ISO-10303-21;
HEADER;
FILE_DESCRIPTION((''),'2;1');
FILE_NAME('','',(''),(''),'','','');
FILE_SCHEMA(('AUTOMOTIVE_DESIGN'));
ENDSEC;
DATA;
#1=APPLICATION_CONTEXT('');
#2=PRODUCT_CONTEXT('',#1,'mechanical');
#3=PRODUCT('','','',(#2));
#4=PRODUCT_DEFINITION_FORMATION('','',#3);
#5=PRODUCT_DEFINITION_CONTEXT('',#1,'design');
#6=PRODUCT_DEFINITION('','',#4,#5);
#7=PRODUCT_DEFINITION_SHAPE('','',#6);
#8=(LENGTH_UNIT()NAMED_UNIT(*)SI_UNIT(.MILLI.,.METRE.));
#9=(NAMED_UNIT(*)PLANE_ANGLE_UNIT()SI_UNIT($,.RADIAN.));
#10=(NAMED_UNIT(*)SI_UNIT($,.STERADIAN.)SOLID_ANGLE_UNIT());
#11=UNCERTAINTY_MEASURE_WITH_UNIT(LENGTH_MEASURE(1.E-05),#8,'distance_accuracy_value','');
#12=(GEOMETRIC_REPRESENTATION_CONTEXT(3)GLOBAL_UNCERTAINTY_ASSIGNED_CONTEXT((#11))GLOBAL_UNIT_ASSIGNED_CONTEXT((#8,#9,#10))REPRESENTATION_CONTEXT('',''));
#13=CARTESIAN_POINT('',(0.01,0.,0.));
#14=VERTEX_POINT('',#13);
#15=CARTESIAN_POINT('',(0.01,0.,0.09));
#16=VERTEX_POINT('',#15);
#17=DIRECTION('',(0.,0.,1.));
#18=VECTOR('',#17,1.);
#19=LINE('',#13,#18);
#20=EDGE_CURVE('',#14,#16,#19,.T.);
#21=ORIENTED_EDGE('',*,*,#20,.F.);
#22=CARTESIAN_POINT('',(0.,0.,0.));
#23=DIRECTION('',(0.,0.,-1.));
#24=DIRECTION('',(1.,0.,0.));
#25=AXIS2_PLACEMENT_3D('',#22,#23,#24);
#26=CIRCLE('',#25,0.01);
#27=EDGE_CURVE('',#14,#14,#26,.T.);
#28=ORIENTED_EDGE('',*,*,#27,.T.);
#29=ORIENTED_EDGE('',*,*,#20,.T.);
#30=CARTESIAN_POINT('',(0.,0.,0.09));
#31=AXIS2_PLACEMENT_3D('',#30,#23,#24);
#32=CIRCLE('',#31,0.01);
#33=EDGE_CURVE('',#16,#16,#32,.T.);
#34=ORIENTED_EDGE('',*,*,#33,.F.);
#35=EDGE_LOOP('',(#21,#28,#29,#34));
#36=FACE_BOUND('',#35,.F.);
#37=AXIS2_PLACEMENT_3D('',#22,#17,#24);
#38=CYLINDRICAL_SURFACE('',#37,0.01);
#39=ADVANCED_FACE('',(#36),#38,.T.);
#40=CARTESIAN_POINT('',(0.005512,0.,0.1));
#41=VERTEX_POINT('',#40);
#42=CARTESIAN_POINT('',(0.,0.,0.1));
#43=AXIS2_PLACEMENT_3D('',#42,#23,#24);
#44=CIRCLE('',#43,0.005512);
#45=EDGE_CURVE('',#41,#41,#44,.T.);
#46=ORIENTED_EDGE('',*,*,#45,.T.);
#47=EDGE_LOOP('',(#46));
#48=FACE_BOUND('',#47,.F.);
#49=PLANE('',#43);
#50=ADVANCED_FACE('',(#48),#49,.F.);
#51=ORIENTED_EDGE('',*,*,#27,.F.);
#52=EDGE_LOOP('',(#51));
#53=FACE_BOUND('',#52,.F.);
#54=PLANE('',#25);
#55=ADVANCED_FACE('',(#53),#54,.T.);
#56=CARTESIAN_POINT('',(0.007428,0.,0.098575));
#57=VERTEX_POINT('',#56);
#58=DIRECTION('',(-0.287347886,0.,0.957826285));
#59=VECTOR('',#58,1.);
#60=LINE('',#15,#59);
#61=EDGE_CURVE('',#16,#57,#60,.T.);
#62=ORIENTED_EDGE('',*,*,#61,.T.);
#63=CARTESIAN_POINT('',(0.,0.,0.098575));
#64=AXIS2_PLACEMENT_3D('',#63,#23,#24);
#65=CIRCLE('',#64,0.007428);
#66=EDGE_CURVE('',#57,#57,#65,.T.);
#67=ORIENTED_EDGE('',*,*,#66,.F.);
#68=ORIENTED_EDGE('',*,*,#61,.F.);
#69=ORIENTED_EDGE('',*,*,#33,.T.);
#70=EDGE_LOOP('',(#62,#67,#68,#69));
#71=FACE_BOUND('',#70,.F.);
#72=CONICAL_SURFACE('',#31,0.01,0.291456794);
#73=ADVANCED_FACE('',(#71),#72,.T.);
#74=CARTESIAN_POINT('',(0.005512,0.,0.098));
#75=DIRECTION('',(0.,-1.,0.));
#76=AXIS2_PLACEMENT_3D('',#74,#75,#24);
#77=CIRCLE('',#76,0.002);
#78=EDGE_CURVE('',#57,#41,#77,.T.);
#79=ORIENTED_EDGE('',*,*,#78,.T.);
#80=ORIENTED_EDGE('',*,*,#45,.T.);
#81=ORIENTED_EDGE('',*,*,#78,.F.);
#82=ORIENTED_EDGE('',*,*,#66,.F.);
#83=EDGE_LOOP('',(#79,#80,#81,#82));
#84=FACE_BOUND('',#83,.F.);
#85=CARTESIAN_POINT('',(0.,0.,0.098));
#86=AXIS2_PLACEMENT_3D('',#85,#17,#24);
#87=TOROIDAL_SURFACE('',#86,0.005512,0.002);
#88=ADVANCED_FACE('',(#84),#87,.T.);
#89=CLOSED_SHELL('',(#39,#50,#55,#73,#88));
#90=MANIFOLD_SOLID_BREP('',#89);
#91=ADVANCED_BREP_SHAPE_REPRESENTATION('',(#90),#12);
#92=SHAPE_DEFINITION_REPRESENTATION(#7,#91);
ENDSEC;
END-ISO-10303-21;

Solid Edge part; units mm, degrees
sketch "Sketch1" plane through (0, 0, 0) normal (0, -1, 0) x (1, 0, 0)
  line L0 (0, 0) -> (0.01, 0)
  line L1 (0.01, 0) -> (0.01, 0.09)
  line L2 (0.01, 0.09) -> (0.007, 0.1)
  line L3 (0.007, 0.1) -> (0, 0.1)
  line L4 (0, 0.1) -> (0, 0)
  dimension "D1" = 0.1
  dimension "D2" = 0.01
  dimension "D3" = 0.01
  dimension "D4" = 0.003
revolve "RevolvedProtrusion1" add sketch "Sketch1" angle 360 about axis through (0, 0, 54) along (0, 0, -1)
fillet "Round1" radius 0.002 1 edges at (-0.007, 0, 0.1)
